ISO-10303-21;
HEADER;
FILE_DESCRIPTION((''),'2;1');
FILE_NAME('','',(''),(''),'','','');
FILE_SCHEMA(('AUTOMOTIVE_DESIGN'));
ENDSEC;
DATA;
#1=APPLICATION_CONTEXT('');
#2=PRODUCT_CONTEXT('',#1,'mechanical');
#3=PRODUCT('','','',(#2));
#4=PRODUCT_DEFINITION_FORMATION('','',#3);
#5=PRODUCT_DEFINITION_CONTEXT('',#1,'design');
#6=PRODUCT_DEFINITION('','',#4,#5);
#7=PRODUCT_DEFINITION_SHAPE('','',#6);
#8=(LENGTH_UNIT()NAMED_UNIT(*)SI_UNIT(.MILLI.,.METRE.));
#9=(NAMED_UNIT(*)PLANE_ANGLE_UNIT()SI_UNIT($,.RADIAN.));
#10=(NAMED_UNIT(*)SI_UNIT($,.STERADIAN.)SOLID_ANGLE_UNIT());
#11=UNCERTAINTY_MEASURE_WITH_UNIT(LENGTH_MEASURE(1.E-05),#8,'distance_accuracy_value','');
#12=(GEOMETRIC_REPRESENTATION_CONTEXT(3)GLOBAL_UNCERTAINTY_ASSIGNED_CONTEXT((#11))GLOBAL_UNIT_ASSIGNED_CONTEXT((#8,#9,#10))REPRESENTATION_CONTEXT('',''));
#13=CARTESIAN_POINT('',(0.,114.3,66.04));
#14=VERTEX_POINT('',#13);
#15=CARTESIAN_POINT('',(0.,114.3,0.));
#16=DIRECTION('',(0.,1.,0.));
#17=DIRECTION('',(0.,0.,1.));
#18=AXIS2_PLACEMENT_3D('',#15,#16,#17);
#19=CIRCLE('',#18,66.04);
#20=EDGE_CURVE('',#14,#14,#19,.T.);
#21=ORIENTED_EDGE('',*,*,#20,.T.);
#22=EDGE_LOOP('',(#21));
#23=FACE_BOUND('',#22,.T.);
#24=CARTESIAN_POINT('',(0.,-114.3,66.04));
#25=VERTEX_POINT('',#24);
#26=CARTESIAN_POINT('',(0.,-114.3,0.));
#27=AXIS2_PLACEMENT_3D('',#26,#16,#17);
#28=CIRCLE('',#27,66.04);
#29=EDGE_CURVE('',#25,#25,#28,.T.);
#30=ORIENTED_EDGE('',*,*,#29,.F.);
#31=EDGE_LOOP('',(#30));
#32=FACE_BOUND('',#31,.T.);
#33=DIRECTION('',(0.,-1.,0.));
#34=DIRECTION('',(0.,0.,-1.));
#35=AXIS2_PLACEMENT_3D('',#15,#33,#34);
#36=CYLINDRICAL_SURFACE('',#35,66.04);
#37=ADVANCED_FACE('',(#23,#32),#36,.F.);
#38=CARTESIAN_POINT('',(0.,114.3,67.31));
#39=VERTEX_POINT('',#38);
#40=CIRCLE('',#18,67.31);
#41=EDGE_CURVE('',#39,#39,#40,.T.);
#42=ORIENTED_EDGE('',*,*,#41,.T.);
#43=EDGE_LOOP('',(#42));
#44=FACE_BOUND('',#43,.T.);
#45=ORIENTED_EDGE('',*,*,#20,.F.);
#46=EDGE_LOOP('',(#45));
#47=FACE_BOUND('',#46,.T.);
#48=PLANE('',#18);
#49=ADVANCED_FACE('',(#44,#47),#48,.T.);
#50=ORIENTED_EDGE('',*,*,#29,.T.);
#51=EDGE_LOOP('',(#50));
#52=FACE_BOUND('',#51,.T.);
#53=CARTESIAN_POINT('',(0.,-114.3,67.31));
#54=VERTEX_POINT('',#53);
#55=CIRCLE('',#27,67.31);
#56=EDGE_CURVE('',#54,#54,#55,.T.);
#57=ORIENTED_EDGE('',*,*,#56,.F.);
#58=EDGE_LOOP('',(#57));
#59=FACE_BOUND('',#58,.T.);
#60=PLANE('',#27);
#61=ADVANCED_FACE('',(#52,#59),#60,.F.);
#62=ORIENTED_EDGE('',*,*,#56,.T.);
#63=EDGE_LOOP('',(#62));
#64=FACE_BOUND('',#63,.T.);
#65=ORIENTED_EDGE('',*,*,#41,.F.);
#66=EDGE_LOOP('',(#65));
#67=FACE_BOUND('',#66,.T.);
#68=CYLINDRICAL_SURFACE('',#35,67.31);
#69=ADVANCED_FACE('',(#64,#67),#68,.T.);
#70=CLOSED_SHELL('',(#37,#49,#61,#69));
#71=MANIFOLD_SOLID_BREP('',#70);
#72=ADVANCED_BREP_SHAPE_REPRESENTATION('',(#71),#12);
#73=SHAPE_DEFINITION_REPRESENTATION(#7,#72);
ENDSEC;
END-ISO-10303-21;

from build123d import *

# Parameters (mm, degrees)
SKETCH1_R           = 67.31
SKETCH1_R_2         = 66.04
BOSS_EXTRUDE1_DEPTH = 114.3


with BuildPart() as part:
    # Sketch1 → Boss-Extrude1 (new, symmetric)
    with BuildSketch(Plane(origin=(0, 0, 0), x_dir=(1, 0, 0), z_dir=(0, 1, 0))):
        Circle(SKETCH1_R)
        Circle(SKETCH1_R_2, mode=Mode.SUBTRACT)
    extrude(amount=BOSS_EXTRUDE1_DEPTH, both=True)


solid = part.part
